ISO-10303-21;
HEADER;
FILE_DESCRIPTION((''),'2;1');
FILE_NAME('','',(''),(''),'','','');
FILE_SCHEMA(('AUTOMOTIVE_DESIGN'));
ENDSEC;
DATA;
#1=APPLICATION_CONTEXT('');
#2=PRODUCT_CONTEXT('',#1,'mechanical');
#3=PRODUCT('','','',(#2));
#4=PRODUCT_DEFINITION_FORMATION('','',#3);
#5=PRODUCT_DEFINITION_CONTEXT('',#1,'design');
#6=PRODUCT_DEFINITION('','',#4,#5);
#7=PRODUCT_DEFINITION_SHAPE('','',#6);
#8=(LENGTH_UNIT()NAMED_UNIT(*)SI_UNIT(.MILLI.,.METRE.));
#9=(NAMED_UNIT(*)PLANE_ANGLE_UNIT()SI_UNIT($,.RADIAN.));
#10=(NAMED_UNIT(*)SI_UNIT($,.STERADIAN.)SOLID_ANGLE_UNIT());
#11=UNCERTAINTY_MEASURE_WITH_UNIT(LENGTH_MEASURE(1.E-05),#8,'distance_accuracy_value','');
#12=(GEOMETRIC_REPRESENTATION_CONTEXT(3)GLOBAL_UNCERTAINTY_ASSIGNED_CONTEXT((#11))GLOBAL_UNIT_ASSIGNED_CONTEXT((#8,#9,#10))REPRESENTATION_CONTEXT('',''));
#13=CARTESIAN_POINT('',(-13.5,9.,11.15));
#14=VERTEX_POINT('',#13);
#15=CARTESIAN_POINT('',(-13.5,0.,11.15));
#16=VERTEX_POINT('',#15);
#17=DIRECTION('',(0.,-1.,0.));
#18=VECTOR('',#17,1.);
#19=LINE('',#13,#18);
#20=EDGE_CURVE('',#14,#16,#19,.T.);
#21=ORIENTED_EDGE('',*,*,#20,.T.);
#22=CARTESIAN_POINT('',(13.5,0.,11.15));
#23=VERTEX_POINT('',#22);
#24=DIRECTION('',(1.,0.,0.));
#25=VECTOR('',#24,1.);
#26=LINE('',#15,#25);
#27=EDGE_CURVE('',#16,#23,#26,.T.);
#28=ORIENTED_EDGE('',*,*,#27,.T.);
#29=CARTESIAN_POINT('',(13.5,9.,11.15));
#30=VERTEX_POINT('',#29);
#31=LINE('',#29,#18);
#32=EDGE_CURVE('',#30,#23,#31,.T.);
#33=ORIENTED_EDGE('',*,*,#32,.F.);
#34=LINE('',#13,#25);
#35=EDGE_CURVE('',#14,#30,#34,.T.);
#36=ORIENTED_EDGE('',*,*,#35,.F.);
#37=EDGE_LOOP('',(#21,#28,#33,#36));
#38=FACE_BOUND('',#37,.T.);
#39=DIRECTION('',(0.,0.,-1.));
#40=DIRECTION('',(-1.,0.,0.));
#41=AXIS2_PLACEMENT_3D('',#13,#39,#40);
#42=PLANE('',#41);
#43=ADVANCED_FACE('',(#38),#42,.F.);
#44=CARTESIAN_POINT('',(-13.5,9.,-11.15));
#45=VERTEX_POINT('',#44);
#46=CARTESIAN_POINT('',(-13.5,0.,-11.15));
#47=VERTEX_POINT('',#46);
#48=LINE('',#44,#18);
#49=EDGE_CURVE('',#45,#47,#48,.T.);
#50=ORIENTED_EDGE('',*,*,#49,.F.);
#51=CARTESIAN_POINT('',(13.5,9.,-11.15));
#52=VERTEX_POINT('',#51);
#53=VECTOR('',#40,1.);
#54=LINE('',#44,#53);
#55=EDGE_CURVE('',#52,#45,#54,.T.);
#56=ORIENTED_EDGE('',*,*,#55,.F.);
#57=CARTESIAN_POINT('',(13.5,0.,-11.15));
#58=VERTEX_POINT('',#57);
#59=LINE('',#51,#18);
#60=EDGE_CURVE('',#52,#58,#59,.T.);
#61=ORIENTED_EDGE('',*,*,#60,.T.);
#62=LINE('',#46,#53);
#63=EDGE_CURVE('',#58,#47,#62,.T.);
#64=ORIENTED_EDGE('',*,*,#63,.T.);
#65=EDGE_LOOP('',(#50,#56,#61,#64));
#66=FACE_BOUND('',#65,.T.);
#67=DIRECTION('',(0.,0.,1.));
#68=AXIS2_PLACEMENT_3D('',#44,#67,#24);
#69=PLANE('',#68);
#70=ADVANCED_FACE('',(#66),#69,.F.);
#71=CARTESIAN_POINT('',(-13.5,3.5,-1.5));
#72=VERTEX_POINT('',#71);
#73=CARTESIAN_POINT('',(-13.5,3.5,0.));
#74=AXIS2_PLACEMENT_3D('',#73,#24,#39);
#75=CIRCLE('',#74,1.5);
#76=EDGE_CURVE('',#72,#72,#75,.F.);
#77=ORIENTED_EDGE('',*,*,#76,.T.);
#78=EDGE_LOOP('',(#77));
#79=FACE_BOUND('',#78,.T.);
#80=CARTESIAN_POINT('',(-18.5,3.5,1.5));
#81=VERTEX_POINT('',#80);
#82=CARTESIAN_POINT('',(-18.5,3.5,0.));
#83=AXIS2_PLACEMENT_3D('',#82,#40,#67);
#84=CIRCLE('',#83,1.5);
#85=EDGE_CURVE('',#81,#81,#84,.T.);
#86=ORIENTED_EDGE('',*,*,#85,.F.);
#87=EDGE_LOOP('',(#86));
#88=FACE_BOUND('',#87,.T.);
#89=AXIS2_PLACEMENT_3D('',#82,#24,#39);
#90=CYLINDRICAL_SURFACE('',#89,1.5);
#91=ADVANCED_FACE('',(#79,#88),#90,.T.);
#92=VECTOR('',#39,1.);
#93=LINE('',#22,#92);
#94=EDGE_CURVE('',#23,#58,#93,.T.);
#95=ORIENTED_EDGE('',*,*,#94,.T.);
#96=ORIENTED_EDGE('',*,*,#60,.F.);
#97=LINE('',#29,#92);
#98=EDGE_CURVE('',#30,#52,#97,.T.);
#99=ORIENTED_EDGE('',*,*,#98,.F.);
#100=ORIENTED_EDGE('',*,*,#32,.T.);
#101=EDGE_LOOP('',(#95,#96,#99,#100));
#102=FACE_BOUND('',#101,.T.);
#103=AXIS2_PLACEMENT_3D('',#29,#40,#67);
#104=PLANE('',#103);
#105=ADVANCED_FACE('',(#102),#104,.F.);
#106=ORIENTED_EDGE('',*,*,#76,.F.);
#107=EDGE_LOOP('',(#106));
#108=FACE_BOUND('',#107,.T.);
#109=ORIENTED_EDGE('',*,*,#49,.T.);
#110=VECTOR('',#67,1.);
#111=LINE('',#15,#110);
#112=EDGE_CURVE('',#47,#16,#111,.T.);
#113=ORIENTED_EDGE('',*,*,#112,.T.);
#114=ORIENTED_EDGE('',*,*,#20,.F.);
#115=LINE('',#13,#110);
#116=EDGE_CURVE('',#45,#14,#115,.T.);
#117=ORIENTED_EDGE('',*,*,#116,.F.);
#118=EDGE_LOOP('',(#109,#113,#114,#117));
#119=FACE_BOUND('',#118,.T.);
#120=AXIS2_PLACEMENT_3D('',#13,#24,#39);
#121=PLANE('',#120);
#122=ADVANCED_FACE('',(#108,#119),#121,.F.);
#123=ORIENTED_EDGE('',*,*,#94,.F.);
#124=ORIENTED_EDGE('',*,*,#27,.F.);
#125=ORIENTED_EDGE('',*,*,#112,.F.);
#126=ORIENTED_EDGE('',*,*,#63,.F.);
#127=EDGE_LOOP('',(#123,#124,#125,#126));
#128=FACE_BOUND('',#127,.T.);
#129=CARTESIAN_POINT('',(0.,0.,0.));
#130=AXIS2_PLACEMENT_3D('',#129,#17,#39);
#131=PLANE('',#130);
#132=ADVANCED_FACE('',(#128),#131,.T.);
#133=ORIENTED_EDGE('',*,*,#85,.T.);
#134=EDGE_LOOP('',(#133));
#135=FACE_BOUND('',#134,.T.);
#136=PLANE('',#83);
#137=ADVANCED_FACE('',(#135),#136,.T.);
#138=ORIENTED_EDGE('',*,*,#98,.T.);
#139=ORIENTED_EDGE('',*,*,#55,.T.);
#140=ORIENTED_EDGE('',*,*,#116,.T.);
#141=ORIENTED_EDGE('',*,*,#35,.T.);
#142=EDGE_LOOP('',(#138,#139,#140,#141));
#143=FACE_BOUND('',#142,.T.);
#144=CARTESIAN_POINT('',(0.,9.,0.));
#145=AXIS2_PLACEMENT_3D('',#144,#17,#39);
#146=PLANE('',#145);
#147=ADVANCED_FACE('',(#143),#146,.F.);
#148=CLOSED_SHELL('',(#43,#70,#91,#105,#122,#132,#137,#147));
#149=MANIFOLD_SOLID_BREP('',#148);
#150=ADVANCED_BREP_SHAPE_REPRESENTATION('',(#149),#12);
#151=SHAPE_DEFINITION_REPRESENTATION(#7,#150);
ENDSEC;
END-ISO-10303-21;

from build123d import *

# Parameters (mm, degrees)
SKETCH1_W           = 27
SKETCH1_H           = 22.3
BOSS_EXTRUDE1_DEPTH = 9
SKETCH2_R           = 1.5
BOSS_EXTRUDE3_DEPTH = 5


with BuildPart() as part:
    # Sketch1 → Boss-Extrude1 (new body)
    with BuildSketch(Plane(origin=(0, 0, 0), x_dir=(1, 0, 0), z_dir=(0, 1, 0))):
        Rectangle(SKETCH1_W, SKETCH1_H)
    extrude(amount=BOSS_EXTRUDE1_DEPTH)

    # Sketch2 → Boss-Extrude3 (add)
    with BuildSketch(Plane.ZY.offset(13.5)):
        with Locations(Location((0, 3.5, 0), (0, 0, 180))):
            Circle(SKETCH2_R)
    extrude(amount=BOSS_EXTRUDE3_DEPTH)


solid = part.part
